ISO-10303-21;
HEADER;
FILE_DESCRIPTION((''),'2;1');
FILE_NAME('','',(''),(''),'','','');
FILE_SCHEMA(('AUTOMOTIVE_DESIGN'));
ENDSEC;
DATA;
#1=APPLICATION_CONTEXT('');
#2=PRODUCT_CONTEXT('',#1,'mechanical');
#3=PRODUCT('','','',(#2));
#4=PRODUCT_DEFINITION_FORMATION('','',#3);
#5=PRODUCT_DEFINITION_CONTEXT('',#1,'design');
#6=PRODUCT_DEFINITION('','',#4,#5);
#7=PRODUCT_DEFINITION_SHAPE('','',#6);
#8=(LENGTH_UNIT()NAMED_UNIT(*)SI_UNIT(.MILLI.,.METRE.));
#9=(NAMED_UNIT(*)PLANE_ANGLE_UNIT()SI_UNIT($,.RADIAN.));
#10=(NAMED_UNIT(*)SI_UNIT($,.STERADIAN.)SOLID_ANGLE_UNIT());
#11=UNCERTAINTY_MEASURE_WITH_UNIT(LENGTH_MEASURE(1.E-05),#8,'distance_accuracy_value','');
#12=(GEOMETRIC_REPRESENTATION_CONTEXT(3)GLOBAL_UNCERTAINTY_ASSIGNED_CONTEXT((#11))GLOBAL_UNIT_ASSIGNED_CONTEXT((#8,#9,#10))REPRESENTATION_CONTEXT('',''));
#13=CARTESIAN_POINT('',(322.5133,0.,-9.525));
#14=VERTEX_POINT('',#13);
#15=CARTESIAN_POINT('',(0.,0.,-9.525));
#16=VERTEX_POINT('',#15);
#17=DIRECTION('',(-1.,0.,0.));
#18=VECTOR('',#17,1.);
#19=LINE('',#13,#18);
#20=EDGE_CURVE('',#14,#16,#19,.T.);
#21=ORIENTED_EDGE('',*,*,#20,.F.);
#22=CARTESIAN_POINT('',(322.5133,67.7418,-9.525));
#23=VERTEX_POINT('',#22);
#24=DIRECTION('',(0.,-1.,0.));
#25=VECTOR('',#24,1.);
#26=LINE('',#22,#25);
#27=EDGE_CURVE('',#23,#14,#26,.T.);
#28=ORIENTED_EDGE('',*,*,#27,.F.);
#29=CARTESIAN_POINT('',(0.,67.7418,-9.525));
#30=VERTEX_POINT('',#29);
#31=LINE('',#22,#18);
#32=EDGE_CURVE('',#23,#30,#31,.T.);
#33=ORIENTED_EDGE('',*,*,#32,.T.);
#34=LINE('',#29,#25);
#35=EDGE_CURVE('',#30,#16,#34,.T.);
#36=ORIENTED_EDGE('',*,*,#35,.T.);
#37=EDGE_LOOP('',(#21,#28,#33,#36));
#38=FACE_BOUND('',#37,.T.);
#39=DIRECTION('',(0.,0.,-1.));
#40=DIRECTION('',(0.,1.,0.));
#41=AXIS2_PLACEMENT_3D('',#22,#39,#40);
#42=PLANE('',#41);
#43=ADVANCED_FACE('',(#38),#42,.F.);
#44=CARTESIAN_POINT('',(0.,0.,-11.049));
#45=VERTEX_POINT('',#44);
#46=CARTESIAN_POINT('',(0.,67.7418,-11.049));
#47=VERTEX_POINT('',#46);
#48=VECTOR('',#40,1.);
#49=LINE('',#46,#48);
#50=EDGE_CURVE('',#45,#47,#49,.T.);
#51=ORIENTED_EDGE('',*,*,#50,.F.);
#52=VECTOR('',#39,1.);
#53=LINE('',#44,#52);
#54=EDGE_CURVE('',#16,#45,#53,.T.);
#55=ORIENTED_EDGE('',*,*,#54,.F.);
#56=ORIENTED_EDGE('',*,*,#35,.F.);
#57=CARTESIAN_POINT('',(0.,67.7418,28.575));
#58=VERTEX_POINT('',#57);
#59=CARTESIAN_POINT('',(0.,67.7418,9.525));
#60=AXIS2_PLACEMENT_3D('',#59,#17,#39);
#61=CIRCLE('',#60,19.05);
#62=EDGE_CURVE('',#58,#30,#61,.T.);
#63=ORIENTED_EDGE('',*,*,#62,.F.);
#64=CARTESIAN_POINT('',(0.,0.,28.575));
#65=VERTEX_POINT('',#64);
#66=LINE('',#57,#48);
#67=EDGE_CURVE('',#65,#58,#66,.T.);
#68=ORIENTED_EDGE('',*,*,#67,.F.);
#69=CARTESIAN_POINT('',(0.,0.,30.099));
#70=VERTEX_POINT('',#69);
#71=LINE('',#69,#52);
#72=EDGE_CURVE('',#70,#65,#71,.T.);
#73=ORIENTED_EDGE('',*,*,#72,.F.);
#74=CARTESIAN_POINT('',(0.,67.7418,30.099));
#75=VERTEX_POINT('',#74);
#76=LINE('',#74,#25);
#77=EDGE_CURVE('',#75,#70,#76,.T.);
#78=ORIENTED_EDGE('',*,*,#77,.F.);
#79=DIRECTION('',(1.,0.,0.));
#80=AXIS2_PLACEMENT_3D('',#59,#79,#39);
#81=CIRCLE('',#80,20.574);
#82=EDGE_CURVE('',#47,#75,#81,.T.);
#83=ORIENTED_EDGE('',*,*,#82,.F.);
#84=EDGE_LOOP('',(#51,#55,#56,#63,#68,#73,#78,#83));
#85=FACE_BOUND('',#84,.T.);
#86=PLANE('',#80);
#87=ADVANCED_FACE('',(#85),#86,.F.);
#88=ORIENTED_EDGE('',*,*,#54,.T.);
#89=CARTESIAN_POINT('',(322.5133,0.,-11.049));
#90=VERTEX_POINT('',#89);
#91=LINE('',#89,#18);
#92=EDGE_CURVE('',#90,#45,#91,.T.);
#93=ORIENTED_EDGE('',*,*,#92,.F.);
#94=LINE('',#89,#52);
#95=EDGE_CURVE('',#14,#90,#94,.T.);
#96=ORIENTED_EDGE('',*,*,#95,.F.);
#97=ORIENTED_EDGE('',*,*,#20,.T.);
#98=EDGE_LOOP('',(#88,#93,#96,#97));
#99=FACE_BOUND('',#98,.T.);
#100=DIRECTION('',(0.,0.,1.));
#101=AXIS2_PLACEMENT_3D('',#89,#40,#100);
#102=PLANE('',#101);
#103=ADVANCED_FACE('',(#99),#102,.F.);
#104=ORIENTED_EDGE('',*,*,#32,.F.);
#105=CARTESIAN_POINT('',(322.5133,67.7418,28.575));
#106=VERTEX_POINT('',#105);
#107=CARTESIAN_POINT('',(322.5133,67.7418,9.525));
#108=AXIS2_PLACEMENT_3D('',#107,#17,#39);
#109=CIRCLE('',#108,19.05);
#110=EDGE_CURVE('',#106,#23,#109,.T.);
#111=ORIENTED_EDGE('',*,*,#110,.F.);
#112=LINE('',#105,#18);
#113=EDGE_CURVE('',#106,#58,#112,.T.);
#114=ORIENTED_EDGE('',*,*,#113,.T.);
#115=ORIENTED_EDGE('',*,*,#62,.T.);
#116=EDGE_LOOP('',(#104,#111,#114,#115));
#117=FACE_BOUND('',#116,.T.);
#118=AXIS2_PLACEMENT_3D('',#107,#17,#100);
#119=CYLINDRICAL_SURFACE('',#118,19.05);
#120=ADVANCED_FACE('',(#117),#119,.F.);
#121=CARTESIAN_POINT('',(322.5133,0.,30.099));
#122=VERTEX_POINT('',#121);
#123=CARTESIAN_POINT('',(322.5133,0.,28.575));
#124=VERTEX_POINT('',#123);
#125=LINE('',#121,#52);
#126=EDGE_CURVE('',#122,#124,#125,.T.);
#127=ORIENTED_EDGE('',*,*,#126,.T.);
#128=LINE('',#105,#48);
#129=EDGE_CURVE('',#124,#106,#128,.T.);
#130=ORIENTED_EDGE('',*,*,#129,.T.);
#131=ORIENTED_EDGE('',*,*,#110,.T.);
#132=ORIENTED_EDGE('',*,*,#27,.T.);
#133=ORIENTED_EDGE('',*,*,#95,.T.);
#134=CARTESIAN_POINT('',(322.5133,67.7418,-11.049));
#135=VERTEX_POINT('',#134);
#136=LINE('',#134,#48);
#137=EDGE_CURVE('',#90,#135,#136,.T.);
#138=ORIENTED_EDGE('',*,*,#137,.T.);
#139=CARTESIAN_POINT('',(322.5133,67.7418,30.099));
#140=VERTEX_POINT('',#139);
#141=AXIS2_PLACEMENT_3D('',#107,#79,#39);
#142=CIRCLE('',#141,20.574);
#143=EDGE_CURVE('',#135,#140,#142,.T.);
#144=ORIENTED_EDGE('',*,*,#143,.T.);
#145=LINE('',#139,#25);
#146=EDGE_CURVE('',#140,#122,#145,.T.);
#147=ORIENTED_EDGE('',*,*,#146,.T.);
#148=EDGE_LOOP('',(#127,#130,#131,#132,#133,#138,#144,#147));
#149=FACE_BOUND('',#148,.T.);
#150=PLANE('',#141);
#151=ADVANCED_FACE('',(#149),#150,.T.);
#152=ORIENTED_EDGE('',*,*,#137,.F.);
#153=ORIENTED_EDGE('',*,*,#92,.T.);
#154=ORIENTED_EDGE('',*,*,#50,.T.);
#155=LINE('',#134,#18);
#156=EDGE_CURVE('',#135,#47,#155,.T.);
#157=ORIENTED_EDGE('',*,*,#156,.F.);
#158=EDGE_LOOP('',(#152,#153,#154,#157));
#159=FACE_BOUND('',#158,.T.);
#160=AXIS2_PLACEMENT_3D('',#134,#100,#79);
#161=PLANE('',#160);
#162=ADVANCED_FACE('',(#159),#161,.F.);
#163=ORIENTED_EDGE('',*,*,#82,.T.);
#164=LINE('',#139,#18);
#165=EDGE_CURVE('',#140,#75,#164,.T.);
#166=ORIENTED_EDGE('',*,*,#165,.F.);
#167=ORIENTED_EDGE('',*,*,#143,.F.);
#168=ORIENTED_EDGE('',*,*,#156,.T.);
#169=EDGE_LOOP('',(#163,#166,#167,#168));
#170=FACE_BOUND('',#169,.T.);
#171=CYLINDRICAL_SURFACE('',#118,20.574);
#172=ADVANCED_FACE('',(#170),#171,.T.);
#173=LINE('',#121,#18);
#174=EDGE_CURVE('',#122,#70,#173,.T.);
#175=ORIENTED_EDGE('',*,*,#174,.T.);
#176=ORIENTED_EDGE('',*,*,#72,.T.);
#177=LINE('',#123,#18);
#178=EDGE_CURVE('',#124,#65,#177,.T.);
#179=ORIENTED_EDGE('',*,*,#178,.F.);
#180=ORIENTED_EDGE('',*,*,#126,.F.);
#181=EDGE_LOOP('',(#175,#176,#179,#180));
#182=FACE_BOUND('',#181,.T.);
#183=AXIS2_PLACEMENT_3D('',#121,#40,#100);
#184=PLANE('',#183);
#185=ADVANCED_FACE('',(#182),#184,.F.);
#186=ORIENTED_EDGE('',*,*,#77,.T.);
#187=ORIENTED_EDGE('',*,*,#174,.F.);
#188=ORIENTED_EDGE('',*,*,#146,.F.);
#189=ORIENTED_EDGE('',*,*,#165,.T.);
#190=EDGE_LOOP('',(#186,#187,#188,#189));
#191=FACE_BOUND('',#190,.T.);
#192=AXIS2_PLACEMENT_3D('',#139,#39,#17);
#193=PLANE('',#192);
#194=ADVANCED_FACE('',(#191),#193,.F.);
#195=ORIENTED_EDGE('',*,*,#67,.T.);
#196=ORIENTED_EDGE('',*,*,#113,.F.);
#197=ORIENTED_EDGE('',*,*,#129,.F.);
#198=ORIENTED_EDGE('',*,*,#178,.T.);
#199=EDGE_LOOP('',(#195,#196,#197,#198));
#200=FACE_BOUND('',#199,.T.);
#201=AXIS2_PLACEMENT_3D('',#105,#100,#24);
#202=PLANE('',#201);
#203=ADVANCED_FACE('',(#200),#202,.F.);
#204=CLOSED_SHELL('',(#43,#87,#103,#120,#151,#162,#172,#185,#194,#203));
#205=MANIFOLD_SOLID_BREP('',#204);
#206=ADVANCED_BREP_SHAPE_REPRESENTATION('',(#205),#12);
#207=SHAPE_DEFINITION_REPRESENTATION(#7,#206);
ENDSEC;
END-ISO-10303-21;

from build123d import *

# Parameters (mm, degrees)
BOSS_EXTRUDE1_DEPTH = 322.5133


with BuildPart() as part:
    # Sketch1 → Boss-Extrude1 (new body)
    with BuildSketch(Plane(origin=(0, 0, 0), x_dir=(0, 0, -1), z_dir=(1, 0, 0))):
        with BuildLine():
            Line((-30.099, 67.7418), (-30.099, 0))
            Line((-30.099, 0), (-28.575, 0))
            Line((-28.575, 0), (-28.575, 67.7418))
            ThreePointArc((-28.575, 67.7418), (-9.525, 86.7918), (9.525, 67.7418))
            Line((9.525, 67.7418), (9.525, 0))
            Line((9.525, 0), (11.049, 0))
            Line((11.049, 0), (11.049, 67.7418))
            ThreePointArc((11.049, 67.7418), (-9.525, 88.3158), (-30.099, 67.7418))
        make_face()
    extrude(amount=BOSS_EXTRUDE1_DEPTH)


solid = part.part
